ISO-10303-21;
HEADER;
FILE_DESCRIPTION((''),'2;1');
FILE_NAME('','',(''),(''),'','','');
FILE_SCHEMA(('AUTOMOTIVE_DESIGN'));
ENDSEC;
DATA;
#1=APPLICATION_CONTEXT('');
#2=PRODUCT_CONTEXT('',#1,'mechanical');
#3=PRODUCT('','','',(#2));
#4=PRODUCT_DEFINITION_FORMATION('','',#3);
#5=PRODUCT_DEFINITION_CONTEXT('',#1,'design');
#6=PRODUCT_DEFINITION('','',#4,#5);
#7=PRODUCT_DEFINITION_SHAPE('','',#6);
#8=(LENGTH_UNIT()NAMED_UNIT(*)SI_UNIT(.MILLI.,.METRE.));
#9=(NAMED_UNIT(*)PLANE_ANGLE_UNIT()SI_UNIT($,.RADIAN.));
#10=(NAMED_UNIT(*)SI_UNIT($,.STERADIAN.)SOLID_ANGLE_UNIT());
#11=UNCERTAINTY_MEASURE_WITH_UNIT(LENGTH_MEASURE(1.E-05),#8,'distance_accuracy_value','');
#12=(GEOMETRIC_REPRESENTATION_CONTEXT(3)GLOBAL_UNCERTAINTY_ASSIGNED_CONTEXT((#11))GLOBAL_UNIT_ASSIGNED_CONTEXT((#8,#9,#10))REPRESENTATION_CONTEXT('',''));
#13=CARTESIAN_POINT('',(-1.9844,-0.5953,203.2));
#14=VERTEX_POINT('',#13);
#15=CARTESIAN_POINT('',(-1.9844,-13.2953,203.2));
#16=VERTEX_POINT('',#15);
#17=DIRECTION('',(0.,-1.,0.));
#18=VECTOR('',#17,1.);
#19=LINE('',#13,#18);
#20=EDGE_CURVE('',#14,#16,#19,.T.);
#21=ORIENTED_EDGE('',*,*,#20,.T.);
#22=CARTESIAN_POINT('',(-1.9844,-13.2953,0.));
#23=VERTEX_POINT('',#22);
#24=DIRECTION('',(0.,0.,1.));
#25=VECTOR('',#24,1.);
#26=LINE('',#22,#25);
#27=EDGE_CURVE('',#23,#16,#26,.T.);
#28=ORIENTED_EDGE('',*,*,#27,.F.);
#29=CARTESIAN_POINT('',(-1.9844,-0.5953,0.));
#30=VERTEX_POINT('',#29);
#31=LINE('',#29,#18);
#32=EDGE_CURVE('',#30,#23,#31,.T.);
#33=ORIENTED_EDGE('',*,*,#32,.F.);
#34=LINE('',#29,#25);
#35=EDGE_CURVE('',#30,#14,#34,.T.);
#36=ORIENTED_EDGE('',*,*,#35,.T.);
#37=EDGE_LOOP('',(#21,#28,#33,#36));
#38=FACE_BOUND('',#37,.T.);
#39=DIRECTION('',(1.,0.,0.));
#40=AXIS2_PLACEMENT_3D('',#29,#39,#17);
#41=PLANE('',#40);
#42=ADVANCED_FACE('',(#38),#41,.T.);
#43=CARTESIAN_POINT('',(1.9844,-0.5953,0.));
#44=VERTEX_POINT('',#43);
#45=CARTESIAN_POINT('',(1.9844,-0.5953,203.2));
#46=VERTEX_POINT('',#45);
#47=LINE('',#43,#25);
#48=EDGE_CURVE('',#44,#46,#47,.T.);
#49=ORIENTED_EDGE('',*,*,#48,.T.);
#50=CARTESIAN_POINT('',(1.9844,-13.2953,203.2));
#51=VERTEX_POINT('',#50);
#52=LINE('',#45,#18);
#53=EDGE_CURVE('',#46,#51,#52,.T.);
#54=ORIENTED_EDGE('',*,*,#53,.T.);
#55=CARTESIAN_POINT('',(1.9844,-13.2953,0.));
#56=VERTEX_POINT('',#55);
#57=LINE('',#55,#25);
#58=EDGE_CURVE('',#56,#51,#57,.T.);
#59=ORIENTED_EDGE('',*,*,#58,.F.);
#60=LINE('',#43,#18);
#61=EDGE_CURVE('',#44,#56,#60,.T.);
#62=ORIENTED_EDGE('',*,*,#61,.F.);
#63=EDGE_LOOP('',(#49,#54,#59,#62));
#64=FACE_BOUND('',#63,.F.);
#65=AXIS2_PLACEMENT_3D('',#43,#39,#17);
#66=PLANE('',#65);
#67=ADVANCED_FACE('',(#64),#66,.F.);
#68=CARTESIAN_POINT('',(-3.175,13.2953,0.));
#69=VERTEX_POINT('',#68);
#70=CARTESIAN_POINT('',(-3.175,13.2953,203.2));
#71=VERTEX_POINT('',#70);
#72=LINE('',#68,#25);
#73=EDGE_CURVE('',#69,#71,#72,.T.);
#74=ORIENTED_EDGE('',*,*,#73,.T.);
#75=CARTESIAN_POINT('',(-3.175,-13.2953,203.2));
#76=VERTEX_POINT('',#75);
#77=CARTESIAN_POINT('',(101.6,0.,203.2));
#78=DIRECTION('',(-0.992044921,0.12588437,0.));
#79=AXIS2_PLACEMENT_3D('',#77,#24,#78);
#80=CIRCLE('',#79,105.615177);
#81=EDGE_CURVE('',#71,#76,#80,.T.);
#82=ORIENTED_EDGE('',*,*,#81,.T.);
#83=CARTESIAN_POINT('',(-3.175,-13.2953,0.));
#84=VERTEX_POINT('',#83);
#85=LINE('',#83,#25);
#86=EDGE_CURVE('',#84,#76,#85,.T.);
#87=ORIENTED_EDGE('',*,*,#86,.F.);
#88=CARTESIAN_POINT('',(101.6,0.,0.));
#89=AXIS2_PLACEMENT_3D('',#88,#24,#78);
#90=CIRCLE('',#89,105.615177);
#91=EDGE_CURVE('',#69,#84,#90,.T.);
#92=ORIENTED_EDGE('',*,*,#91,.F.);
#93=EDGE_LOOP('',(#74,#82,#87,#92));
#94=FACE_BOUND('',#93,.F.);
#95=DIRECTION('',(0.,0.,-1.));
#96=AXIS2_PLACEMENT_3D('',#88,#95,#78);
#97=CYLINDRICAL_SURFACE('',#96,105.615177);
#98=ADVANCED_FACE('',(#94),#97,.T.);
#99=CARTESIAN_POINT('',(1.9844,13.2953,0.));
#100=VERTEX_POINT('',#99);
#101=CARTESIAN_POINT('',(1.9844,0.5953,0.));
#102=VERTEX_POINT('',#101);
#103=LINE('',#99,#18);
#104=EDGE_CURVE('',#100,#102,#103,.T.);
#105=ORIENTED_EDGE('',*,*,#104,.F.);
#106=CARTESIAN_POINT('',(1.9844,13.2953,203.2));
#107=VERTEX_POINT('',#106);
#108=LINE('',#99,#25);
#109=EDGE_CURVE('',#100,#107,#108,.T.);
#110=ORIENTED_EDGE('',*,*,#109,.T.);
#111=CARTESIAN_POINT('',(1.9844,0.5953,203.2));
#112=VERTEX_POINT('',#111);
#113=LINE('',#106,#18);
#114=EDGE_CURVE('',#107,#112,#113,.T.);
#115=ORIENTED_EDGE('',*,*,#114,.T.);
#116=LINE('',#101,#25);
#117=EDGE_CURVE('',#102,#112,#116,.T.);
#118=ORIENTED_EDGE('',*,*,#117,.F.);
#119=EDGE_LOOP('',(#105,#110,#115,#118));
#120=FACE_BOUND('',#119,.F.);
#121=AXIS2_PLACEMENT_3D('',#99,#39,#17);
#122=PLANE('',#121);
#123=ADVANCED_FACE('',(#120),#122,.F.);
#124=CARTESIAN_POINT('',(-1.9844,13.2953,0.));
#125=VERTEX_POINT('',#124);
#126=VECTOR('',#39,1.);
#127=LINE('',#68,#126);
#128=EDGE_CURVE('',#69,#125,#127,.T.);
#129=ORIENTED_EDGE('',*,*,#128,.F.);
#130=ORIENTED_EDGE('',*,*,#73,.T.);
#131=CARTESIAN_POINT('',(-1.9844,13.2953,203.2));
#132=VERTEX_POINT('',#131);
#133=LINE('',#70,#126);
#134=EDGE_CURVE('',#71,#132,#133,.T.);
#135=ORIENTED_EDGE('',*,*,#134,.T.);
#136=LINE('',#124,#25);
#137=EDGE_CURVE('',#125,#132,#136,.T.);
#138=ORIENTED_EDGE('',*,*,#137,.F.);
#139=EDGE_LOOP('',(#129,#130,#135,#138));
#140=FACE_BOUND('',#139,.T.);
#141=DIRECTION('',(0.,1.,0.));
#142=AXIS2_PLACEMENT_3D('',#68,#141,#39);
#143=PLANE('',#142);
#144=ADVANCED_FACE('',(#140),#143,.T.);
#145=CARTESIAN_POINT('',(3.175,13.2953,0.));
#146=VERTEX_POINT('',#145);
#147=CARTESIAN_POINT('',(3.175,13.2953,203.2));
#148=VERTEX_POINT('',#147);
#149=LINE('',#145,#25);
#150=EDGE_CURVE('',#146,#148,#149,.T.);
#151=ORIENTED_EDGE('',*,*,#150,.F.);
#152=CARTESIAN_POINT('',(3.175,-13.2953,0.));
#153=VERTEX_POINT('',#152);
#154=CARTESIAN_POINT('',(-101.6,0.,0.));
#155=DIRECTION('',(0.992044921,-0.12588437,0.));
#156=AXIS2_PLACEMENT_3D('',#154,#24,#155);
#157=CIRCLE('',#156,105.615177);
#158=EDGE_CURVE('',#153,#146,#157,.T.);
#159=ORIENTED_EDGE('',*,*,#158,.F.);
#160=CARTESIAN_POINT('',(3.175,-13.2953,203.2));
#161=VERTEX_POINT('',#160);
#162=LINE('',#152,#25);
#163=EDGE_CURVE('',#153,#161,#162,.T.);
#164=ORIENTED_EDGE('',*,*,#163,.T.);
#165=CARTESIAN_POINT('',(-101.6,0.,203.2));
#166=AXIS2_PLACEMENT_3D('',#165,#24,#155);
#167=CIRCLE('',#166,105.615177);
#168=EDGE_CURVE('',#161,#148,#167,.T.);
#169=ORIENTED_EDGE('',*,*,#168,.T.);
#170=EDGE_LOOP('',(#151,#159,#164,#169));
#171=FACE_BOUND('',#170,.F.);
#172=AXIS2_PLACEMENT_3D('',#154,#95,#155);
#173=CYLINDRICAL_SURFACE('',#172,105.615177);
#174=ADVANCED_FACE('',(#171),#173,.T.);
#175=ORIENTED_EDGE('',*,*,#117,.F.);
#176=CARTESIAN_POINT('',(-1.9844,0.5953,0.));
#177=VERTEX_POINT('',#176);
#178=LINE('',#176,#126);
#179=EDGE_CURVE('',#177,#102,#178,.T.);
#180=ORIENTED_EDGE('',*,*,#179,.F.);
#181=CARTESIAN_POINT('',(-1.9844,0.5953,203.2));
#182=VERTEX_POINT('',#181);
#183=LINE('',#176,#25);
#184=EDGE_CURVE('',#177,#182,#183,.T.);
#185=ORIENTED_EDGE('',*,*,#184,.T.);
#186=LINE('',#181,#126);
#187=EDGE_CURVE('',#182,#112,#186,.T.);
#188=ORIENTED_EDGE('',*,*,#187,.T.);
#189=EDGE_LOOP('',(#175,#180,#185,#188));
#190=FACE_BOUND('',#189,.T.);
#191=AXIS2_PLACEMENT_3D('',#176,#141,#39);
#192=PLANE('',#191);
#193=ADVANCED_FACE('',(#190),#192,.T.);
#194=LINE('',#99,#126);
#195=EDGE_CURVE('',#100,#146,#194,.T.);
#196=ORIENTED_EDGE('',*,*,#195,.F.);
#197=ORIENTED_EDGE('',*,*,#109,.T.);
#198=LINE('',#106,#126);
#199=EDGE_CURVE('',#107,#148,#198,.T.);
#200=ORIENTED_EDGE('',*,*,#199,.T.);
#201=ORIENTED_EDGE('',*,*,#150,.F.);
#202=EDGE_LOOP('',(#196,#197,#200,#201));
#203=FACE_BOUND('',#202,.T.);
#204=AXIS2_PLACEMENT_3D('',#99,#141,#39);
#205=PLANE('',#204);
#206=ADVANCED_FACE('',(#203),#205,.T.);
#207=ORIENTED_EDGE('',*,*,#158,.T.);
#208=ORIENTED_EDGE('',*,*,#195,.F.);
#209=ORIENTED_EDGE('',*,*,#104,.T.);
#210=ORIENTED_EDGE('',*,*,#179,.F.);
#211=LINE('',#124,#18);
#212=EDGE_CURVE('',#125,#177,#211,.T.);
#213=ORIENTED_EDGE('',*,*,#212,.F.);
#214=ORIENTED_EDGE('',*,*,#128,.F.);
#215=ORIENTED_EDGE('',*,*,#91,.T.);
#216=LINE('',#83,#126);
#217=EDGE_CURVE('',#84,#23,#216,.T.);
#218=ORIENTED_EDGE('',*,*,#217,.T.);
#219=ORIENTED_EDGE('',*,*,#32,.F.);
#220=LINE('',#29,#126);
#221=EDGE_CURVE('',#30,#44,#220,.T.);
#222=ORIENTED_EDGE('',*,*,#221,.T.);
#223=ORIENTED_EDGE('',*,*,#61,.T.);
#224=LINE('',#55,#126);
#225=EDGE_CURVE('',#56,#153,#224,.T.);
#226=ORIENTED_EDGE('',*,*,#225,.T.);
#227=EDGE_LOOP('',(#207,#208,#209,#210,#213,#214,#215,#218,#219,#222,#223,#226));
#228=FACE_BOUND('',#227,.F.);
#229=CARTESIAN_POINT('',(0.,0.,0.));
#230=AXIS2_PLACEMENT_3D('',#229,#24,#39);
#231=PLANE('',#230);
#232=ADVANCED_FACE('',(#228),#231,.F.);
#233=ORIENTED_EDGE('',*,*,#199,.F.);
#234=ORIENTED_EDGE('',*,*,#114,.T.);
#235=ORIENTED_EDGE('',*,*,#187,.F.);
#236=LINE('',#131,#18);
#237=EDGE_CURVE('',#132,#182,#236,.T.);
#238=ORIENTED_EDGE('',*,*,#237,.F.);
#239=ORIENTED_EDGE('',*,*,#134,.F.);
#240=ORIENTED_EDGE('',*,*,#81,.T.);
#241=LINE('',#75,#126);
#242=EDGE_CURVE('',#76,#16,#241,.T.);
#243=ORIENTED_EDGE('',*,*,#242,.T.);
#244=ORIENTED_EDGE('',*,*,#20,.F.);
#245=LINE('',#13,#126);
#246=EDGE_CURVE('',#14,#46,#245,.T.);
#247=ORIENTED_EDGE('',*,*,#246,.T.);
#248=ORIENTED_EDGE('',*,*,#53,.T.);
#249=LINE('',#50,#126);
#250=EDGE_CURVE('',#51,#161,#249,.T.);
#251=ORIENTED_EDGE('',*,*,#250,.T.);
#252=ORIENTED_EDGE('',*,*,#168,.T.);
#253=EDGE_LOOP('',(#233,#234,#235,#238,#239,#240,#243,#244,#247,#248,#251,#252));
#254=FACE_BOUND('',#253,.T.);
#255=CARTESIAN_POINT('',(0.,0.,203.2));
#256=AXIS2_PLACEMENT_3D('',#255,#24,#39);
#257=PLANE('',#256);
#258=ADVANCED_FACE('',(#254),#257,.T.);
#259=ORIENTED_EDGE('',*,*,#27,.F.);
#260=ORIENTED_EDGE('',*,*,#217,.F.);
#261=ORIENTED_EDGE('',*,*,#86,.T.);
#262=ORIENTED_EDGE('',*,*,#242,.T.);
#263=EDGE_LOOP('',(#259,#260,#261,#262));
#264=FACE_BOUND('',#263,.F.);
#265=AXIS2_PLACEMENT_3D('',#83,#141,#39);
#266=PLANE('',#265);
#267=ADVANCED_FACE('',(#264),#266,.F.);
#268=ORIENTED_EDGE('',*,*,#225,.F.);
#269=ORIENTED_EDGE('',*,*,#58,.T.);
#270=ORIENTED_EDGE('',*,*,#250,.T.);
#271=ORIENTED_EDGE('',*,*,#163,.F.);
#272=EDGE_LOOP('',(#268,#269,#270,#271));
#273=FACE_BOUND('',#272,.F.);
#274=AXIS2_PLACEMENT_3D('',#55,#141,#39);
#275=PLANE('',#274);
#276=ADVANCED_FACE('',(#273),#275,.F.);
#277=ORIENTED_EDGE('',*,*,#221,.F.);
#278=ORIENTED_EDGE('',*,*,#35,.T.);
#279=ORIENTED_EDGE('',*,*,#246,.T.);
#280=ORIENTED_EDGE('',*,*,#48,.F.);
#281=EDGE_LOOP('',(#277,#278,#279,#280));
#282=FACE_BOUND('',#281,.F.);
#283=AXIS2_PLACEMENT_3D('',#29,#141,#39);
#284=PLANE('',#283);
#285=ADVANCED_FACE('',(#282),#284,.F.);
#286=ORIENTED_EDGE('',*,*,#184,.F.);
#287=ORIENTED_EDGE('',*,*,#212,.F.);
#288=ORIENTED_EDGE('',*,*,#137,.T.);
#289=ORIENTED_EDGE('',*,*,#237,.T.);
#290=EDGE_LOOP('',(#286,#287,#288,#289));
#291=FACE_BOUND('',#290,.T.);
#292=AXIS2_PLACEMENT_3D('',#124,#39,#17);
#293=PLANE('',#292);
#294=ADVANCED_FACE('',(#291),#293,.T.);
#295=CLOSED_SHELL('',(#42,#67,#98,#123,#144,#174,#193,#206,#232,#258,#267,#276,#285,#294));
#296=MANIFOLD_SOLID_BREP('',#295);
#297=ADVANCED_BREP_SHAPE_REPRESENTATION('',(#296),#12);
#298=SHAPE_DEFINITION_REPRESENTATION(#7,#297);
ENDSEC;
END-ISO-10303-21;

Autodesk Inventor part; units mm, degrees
ref_plane "YZ Plane" through (0, 0, 0) normal (1, 0, 0) x (0, 1, 0)
ref_plane "XZ Plane" through (0, 0, 0) normal (0, 1, 0) x (-1, 0, 0)
ref_plane "XY Plane" through (0, 0, 0) normal (0, 0, 1) x (1, 0, 0)
sketch "Sketch1" plane through (0, 0, 0) normal (0, 0, 1) x (1, 0, 0)
  arc A0 (-3.175, 13.2953) -> (-3.175, -13.2953) centre (101.6, 0) ccw
  arc A1 (3.175, -13.2953) -> (3.175, 13.2953) centre (-101.6, 0) ccw
  line L0 (-1.9844, 0.5953) -> (1.9844, 0.5953)
  line L1 (-1.9844, -0.5953) -> (1.9844, -0.5953)
  line L2 (1.9844, 13.2953) -> (1.9844, 0.5953)
  line L3 (1.9844, -0.5953) -> (1.9844, -13.2953)
  line L4 (-1.9844, 13.2953) -> (-1.9844, 0.5953)
  line L5 (-1.9844, -0.5953) -> (-1.9844, -13.2953)
  line L6 (-3.175, 13.2953) -> (-1.9844, 13.2953)
  line L7 (1.9844, 13.2953) -> (3.175, 13.2953)
  line L8 (-3.175, -13.2953) -> (-1.9844, -13.2953)
  line L9 (1.9844, -13.2953) -> (3.175, -13.2953)
  point P0 (0, 0)
  dimension "d4" = 1.9844
  dimension "d5" = 3.9688
  dimension "d6" = 0.5953
  dimension "d7" = 1.1906
  dimension "d8" = 13.2953
  dimension "d9" = 26.5906
  dimension "d10" = 101.6
  dimension "d12" = 1.1906
extrude "Extrusion1" add sketch "Sketch1" along normal blind 203.2
equation "\"d6\" = 0.5 * d7"
equation "\"d12\" = d7"
equation "\"d1\" = 2 * d0"
equation "\"d0\" = 13.295313"
properties part number "GE-12088-01"
